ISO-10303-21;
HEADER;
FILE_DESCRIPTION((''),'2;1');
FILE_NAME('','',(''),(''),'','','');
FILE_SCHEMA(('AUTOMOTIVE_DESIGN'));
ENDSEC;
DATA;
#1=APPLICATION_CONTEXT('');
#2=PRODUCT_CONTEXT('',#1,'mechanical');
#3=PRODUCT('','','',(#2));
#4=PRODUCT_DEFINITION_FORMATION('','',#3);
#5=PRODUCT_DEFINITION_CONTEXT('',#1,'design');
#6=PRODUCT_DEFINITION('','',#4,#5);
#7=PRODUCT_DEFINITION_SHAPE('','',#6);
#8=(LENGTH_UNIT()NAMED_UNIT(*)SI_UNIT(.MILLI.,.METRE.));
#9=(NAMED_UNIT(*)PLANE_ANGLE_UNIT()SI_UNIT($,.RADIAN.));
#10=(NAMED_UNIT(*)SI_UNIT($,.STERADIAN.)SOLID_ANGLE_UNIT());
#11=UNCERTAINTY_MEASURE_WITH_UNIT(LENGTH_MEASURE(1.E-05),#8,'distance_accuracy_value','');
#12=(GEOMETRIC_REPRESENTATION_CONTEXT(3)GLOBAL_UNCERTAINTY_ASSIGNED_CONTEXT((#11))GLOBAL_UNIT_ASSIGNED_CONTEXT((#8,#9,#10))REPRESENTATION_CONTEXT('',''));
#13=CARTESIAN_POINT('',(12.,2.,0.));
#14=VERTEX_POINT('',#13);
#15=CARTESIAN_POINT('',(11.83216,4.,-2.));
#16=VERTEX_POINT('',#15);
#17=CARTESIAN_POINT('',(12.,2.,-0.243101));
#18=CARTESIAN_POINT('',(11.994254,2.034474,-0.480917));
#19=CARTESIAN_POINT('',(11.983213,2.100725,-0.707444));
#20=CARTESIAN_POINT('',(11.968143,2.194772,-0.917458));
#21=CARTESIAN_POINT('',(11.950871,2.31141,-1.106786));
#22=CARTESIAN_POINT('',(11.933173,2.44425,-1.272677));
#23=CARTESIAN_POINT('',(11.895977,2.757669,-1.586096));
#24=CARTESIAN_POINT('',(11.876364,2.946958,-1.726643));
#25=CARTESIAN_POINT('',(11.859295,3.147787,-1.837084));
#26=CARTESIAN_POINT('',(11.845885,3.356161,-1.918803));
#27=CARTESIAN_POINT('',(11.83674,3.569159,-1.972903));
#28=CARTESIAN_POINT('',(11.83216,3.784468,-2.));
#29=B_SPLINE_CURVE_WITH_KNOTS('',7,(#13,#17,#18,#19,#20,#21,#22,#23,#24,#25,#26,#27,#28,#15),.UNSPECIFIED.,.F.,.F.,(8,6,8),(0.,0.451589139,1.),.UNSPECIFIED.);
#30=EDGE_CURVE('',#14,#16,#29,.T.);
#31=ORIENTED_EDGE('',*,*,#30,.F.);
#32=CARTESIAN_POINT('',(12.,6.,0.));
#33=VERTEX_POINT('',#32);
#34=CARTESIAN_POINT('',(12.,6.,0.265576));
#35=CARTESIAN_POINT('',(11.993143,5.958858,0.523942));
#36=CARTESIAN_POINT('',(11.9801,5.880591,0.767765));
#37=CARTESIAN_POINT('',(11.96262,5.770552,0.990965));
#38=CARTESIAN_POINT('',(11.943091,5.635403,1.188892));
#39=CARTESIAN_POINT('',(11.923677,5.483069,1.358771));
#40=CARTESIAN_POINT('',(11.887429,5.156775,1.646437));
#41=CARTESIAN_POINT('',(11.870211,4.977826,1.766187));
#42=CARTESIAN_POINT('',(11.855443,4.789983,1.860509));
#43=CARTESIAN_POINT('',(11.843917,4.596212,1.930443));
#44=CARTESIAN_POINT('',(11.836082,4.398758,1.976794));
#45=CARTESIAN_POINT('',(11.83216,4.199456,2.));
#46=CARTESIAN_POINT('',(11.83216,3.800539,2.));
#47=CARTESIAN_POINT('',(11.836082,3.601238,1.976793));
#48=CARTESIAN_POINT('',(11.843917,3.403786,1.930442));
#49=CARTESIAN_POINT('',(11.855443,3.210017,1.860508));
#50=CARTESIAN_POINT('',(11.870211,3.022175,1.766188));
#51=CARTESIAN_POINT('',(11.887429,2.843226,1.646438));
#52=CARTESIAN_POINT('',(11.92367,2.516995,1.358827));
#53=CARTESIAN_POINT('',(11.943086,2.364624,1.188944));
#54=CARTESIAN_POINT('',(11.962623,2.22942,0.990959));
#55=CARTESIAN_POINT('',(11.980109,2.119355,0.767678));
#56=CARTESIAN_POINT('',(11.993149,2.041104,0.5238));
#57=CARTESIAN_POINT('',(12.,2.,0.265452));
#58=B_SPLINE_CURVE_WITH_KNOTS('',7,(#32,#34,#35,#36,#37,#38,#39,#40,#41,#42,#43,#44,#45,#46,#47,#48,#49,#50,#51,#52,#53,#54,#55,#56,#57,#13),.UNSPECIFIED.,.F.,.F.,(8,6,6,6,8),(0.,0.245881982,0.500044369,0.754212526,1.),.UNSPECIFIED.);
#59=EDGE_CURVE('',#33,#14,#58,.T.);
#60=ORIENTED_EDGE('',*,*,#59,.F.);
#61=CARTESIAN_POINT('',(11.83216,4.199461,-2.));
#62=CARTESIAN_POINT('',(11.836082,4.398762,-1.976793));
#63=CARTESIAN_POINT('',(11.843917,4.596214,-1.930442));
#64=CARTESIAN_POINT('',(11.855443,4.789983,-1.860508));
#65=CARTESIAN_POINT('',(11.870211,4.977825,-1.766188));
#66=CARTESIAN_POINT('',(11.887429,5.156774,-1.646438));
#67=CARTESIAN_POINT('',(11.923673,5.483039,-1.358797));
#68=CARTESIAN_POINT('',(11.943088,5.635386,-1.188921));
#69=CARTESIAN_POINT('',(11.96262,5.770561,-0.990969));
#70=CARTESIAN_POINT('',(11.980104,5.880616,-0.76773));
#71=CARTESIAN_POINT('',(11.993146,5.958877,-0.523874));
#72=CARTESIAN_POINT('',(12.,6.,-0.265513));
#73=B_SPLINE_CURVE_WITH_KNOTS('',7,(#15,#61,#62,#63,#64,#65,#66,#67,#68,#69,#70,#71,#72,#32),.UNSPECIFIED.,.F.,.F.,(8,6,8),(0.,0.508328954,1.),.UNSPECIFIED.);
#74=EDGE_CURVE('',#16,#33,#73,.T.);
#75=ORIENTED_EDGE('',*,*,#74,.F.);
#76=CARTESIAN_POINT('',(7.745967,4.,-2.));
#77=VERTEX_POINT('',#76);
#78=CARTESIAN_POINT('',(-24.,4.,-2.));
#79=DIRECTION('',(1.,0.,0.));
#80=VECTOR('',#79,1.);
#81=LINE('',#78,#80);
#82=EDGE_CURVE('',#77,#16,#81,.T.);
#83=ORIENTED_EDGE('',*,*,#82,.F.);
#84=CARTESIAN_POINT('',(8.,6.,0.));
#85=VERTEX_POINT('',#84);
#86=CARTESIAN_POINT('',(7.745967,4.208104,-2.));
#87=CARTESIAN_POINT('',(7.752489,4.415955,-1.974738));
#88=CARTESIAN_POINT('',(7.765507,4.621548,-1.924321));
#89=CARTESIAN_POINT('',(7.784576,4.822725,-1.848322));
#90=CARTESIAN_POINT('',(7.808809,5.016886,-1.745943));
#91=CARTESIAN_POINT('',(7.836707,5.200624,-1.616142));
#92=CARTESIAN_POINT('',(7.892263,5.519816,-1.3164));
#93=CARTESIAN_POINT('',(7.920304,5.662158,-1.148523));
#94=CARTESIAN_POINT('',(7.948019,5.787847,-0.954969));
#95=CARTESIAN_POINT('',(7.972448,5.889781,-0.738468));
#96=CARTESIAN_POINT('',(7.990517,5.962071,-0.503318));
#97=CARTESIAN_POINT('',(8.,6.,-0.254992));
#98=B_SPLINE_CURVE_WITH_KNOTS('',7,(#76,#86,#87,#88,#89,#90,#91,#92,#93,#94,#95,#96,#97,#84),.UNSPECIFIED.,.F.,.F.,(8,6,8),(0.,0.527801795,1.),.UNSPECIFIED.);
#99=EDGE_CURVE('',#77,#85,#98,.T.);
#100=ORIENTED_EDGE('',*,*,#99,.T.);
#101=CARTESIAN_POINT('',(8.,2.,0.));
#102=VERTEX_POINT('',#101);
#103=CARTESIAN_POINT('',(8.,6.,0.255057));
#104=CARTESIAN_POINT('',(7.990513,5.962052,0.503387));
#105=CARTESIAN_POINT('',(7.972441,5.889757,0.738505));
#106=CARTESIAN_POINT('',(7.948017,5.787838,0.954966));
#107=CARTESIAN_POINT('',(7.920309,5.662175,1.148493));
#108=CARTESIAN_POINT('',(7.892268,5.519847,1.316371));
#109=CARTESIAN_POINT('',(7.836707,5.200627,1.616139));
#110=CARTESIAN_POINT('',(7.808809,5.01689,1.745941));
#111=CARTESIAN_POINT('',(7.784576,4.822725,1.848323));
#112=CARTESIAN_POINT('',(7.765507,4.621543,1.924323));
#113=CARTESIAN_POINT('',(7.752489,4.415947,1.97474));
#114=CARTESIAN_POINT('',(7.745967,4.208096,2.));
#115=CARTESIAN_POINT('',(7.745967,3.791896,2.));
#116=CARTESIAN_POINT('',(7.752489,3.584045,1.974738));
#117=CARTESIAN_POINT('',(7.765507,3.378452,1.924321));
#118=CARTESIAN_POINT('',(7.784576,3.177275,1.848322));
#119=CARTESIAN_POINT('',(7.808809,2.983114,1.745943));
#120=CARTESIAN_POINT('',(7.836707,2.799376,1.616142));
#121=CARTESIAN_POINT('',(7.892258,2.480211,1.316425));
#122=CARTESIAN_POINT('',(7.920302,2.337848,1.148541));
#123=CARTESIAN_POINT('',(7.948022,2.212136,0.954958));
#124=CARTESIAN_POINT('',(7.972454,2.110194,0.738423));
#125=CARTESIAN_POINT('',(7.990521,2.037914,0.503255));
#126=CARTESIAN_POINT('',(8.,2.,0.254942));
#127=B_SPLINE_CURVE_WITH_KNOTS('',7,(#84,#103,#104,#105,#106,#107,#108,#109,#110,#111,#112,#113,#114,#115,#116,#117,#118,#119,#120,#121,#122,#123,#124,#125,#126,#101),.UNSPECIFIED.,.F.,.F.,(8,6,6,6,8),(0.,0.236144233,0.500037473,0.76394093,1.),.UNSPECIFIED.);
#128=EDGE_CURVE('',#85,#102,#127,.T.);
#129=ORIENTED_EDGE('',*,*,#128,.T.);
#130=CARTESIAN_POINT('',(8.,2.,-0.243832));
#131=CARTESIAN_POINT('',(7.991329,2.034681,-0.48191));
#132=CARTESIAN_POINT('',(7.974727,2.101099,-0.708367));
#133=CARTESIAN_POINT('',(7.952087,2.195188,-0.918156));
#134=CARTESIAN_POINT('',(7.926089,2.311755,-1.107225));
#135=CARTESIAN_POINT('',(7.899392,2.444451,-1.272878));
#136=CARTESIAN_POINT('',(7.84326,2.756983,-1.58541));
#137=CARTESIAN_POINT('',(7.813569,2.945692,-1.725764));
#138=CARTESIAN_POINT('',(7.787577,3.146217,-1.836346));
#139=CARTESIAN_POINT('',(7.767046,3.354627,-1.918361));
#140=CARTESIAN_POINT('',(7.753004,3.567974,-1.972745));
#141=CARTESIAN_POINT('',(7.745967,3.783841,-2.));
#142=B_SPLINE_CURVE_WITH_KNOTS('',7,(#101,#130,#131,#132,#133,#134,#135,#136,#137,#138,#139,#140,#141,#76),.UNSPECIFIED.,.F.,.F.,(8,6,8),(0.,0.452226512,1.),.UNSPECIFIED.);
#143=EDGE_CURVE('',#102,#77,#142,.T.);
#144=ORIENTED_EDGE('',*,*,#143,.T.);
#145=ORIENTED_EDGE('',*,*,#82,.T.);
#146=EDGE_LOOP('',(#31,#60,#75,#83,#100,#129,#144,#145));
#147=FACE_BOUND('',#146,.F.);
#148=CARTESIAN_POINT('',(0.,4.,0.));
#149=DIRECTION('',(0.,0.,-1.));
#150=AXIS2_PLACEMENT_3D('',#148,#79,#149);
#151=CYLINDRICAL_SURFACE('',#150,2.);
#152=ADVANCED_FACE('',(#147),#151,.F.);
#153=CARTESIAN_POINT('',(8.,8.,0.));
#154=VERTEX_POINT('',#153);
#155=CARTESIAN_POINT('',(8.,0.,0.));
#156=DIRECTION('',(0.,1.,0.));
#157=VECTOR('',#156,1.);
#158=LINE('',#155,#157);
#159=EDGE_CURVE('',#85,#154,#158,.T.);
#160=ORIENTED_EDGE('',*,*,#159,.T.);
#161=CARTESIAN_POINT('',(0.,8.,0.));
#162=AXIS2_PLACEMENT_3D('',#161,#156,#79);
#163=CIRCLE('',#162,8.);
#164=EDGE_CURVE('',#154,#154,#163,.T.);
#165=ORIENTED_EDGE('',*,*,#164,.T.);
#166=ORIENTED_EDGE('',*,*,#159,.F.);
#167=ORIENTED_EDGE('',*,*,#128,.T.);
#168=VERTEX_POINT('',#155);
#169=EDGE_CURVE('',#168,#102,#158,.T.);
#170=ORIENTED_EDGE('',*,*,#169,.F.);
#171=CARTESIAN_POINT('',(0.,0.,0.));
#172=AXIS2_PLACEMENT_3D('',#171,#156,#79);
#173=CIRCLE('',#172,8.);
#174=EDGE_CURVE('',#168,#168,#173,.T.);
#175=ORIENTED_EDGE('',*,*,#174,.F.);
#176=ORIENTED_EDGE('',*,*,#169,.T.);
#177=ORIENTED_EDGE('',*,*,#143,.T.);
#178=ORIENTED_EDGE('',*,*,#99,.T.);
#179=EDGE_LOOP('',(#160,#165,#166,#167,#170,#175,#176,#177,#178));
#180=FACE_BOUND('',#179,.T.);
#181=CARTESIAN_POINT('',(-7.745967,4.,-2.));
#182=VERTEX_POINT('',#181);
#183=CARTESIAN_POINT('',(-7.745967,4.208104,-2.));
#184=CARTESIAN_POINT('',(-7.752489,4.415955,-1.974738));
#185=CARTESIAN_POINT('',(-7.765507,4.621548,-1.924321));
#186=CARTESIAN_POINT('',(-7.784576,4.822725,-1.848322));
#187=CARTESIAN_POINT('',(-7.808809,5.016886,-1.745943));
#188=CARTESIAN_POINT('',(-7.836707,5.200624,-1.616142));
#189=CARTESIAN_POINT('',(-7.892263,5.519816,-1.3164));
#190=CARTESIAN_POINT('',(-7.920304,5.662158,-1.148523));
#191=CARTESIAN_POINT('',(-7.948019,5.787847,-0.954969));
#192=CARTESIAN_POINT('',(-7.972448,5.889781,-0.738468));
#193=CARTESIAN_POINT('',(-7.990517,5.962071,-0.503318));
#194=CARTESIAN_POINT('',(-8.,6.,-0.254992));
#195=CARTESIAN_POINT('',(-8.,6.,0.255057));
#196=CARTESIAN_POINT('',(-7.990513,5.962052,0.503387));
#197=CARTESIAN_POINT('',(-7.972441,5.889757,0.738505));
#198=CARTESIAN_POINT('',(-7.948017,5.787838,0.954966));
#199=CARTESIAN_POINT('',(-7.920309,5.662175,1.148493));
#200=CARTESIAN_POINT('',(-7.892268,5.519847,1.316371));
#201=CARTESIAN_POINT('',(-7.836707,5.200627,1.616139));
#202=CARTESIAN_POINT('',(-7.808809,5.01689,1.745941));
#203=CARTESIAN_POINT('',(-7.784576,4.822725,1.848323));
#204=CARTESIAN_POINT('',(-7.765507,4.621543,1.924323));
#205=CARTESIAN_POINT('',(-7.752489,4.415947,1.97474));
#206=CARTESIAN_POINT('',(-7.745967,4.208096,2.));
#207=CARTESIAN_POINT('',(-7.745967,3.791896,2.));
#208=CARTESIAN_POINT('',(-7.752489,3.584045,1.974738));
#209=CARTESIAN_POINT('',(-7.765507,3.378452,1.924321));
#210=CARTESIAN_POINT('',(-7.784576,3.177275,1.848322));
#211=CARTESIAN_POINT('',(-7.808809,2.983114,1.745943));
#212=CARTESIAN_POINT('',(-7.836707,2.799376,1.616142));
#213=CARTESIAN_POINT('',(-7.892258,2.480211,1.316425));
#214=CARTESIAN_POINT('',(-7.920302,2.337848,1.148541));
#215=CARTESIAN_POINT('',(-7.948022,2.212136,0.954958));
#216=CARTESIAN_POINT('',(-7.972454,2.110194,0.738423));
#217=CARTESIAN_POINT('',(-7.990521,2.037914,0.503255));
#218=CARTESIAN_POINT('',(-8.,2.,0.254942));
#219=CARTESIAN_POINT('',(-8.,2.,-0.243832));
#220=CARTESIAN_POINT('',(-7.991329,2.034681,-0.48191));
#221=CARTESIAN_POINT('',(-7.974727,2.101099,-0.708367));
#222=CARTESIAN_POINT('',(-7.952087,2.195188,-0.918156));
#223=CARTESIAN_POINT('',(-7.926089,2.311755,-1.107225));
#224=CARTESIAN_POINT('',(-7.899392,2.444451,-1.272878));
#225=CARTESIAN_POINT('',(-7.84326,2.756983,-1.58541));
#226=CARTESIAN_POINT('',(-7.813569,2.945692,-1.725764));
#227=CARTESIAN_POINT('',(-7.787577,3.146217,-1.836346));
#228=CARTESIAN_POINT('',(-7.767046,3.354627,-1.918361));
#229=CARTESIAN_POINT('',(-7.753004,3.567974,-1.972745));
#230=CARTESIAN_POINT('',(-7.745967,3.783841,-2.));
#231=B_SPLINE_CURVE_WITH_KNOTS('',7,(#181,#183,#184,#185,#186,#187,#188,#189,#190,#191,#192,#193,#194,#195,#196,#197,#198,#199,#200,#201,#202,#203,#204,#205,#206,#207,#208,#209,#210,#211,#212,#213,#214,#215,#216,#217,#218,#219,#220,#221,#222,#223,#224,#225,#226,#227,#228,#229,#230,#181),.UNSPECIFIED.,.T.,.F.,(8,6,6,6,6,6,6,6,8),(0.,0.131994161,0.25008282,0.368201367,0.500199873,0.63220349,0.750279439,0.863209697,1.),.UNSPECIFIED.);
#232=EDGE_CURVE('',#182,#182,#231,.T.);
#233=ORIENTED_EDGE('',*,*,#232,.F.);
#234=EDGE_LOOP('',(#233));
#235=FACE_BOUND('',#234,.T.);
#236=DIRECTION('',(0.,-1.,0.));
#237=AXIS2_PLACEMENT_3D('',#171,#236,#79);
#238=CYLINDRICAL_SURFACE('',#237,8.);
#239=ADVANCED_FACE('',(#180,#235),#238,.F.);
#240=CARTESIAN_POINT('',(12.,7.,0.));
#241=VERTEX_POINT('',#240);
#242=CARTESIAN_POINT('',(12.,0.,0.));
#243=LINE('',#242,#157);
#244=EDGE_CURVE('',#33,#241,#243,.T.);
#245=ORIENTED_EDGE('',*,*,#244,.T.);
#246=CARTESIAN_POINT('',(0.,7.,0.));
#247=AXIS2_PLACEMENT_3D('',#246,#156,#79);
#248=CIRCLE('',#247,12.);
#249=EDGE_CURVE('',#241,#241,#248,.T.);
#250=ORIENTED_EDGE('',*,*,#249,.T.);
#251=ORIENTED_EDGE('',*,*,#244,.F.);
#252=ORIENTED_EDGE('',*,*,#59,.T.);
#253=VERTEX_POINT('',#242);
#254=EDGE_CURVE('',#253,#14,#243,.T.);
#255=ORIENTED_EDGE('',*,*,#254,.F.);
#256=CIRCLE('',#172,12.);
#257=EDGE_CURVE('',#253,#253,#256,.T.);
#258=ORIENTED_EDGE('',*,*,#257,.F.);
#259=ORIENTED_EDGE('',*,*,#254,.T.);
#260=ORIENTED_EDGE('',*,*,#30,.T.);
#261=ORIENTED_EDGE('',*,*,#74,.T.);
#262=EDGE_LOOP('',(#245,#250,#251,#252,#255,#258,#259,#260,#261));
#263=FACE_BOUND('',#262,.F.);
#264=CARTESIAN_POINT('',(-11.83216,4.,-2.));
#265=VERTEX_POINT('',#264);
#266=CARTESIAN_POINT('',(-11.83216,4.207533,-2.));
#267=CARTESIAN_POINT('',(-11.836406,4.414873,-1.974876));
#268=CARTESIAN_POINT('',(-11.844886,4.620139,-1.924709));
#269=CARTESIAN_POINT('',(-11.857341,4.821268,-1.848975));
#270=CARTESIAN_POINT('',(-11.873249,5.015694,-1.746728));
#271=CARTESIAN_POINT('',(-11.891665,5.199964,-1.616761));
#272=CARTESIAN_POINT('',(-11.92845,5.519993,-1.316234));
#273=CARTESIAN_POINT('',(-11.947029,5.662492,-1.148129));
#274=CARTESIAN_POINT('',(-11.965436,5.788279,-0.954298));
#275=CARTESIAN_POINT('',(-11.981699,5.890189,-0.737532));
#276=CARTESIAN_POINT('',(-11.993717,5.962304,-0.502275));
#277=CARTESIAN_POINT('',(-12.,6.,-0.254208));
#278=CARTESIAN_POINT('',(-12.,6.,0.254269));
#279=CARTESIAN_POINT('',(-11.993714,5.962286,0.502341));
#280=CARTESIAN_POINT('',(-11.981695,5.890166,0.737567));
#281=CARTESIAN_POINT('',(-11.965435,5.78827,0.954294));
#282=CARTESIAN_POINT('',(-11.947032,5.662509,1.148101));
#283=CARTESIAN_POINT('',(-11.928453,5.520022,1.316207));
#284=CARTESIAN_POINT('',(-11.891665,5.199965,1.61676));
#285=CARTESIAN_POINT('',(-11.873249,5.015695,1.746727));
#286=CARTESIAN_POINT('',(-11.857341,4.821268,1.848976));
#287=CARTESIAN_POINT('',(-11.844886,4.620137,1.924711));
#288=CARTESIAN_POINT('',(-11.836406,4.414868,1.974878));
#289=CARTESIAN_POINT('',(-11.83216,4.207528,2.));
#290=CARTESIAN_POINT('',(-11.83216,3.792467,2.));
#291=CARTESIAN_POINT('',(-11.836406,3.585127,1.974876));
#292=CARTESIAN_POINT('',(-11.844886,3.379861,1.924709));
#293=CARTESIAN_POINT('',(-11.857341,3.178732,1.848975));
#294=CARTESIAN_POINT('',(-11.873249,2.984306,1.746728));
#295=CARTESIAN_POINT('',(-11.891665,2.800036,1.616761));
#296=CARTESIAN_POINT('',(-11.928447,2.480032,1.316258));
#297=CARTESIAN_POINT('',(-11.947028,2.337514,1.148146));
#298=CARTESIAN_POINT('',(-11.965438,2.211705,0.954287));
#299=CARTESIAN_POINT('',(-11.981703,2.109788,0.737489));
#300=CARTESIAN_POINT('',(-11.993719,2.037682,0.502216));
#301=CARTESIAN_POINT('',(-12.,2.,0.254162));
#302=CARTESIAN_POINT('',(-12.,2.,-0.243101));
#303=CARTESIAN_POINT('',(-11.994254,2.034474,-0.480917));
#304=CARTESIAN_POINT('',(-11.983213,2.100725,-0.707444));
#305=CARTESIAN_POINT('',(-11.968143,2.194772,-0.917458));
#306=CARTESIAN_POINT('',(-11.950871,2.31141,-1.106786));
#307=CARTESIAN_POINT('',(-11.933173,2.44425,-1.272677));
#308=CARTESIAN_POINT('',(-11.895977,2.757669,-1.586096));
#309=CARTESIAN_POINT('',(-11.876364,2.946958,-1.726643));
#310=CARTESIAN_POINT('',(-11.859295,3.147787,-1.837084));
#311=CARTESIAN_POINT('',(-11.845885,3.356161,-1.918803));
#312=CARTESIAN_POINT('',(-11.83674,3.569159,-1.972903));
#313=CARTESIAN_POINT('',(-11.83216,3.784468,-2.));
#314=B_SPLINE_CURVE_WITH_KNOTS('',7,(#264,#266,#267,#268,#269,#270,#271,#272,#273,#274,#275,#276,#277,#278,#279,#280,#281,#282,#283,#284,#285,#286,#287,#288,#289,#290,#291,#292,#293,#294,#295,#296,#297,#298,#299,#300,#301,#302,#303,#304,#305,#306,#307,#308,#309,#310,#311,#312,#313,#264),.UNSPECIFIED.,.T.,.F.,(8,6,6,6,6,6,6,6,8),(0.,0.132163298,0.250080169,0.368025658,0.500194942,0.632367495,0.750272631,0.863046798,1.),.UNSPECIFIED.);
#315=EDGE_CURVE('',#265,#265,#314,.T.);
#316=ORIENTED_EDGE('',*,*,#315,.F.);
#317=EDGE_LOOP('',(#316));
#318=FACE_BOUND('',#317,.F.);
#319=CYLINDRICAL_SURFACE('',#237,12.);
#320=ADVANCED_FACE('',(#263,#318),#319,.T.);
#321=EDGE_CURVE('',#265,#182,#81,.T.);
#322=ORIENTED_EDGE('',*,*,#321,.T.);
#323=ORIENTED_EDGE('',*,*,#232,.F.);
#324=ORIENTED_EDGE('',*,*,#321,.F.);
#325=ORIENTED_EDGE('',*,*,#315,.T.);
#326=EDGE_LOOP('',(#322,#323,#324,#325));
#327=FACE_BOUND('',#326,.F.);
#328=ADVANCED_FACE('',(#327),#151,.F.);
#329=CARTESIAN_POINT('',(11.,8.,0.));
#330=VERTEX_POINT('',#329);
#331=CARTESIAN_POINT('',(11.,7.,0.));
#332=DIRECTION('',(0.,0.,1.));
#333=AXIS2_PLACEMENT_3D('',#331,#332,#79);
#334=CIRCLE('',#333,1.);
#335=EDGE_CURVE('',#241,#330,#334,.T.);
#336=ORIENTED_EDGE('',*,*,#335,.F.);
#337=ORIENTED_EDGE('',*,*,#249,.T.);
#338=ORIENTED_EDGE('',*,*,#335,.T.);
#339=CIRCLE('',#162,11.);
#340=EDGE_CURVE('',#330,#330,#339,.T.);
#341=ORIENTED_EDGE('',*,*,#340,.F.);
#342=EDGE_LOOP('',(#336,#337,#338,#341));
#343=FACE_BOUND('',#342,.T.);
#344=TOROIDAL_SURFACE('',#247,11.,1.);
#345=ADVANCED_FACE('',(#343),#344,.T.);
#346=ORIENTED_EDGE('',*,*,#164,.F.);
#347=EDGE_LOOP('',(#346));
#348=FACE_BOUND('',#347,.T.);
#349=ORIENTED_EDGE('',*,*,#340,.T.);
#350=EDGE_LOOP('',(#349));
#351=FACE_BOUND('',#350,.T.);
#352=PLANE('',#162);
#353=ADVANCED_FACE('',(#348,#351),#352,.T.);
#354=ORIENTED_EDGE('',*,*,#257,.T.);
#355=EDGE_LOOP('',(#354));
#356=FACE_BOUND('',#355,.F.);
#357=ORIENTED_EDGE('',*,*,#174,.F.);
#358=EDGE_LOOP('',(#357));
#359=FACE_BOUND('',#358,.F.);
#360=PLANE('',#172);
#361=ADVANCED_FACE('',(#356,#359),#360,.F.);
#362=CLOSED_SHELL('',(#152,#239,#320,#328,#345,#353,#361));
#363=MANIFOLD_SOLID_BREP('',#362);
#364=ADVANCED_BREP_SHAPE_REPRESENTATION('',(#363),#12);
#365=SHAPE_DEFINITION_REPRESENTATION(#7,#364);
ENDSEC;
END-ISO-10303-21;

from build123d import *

# Parameters (mm, degrees)
SKETCH1_R           = 12
SKETCH1_R_2         = 8
BOSS_EXTRUDE1_DEPTH = 8
FILLET1_R           = 1
SKETCH2_R           = 2
CUT_EXTRUDE1_DEPTH  = 24


with BuildPart() as part:
    # Sketch1 → Boss-Extrude1 (new body)
    with BuildSketch(Plane(origin=(0, 0, 0), x_dir=(1, 0, 0), z_dir=(0, 1, 0))):
        Circle(SKETCH1_R)
        Circle(SKETCH1_R_2, mode=Mode.SUBTRACT)
    extrude(amount=BOSS_EXTRUDE1_DEPTH)

    # Fillet1
    fillet1_edges = [part.edges().sort_by_distance(p)[0] for p in [
        (-12, 8, 0),
    ]]
    fillet(fillet1_edges, radius=FILLET1_R)

    # Sketch2 → Cut-Extrude1 (cut, symmetric)
    with BuildSketch(Plane(origin=(0, 0, 0), x_dir=(0, 0, -1), z_dir=(1, 0, 0))):
        with Locations((0, 4)):
            Circle(SKETCH2_R)
    extrude(amount=CUT_EXTRUDE1_DEPTH, both=True, mode=Mode.SUBTRACT)


solid = part.part
